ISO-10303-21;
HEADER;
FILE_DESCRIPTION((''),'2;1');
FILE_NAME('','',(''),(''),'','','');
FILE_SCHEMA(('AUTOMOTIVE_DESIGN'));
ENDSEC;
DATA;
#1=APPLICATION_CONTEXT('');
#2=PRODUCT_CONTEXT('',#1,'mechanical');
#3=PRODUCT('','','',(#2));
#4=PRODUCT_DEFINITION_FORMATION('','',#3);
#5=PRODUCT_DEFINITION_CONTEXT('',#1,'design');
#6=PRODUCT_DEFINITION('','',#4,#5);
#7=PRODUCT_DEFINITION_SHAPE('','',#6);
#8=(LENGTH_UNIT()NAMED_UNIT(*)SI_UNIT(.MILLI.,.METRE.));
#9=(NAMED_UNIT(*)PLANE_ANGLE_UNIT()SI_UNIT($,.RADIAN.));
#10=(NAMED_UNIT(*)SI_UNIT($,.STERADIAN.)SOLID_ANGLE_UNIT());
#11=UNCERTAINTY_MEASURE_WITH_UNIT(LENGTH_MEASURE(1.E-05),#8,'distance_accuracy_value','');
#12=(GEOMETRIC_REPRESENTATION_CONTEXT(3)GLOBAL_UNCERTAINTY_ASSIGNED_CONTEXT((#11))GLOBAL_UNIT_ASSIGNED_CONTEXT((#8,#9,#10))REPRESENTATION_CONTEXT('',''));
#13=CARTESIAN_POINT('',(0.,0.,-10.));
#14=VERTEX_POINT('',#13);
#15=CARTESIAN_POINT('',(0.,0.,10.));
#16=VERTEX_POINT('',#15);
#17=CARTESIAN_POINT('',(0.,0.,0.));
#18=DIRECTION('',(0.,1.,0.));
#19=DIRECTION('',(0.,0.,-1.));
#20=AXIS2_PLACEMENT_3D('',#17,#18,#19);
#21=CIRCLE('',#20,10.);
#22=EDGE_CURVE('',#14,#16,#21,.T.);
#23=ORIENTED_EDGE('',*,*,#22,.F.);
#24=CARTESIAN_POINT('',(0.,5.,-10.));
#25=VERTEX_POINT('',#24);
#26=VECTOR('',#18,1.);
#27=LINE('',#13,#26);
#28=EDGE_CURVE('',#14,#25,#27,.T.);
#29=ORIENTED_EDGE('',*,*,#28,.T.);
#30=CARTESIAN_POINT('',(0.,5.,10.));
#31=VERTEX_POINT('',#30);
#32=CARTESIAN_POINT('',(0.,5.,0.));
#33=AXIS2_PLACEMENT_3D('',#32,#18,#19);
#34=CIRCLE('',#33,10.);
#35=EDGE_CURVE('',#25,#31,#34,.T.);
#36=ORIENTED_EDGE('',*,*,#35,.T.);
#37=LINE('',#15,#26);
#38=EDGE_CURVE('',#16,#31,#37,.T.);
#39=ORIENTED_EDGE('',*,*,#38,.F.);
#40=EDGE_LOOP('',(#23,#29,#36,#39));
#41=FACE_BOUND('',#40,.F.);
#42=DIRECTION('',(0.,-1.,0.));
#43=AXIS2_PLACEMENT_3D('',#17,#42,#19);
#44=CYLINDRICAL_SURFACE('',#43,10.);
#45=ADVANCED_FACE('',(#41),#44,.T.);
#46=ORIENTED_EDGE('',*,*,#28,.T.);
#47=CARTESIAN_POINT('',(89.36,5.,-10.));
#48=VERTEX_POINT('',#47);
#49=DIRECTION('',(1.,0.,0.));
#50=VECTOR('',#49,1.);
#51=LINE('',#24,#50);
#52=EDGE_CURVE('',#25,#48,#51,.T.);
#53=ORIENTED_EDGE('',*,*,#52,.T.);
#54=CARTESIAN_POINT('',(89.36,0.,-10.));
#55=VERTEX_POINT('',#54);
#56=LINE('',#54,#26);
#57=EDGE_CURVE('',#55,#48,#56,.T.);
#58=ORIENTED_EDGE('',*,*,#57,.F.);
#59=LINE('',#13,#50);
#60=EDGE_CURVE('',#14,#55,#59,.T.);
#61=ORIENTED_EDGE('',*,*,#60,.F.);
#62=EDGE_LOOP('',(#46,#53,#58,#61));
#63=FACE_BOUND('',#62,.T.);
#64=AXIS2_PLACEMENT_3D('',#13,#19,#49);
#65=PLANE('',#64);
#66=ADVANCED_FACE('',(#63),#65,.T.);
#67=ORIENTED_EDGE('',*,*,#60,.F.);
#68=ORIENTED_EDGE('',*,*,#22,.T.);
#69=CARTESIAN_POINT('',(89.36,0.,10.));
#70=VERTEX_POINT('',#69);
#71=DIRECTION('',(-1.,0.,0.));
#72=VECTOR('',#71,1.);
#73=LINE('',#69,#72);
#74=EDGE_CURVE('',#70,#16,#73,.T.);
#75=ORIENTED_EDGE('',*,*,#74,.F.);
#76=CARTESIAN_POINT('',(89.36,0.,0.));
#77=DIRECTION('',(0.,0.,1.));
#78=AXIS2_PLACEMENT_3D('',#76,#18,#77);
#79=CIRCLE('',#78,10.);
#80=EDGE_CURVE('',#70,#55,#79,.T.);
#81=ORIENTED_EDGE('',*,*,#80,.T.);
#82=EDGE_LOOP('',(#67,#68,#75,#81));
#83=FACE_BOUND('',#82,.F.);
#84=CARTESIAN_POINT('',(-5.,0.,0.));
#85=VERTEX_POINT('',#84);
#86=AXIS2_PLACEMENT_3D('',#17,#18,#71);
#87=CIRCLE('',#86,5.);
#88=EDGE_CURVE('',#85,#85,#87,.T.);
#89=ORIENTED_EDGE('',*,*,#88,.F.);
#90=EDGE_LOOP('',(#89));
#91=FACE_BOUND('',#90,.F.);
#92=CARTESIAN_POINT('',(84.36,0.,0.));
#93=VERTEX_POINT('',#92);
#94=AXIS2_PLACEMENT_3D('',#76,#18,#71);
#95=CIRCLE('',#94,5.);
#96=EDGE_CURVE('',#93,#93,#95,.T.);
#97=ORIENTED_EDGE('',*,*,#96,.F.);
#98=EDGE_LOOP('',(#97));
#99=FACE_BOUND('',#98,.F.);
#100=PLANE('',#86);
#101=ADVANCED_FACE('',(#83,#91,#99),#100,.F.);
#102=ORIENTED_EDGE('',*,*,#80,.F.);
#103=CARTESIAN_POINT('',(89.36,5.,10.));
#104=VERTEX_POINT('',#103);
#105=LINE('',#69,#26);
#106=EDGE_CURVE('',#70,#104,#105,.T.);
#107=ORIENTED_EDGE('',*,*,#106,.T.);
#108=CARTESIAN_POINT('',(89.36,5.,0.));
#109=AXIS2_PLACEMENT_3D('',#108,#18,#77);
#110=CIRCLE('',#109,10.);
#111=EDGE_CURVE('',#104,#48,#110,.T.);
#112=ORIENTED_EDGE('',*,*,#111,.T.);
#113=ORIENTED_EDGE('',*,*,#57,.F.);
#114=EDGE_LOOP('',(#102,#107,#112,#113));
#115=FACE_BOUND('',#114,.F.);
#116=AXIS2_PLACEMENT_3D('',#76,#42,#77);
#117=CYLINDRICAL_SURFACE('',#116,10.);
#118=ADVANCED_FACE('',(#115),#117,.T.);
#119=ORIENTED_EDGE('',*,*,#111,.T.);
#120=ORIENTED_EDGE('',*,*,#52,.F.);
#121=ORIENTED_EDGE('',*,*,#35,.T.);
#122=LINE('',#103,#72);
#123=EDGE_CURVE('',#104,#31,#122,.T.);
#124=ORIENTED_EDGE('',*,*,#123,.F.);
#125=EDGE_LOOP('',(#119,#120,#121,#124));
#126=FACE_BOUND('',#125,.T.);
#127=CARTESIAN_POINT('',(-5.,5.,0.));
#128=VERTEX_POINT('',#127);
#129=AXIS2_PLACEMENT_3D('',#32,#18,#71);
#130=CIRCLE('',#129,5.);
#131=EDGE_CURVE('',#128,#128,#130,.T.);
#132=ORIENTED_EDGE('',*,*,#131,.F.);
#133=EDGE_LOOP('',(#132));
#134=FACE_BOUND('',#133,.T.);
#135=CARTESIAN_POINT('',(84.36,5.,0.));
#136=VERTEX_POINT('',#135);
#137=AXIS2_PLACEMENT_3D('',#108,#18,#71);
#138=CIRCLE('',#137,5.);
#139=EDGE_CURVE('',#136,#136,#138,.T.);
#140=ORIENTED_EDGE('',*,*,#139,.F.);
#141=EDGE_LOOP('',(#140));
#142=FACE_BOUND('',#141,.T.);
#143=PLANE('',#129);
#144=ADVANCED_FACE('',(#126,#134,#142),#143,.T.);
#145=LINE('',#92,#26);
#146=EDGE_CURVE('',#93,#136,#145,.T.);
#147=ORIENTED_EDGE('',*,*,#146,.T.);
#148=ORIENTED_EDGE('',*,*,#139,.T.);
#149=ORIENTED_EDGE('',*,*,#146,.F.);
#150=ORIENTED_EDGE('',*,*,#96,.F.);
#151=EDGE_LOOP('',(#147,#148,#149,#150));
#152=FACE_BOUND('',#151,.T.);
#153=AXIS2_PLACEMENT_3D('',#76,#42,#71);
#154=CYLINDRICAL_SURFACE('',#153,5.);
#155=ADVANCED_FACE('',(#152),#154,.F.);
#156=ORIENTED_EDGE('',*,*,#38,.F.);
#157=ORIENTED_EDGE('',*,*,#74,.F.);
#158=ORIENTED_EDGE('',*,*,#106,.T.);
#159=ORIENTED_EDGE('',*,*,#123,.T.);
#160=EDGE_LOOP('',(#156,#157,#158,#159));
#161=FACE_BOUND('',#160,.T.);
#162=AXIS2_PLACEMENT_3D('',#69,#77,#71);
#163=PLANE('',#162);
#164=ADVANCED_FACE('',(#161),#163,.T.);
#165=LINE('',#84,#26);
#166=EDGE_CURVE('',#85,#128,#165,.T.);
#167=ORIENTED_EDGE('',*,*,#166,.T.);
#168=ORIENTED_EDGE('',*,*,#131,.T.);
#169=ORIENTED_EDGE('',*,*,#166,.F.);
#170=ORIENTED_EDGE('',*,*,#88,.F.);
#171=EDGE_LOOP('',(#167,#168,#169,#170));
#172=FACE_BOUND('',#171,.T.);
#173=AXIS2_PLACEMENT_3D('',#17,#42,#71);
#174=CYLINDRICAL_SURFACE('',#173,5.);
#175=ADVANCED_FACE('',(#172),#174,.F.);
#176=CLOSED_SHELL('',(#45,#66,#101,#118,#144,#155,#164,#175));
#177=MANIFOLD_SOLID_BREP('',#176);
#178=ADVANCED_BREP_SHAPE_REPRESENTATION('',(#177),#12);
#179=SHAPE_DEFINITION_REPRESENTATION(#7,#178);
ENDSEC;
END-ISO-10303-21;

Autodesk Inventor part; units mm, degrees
ref_plane "YZ Plane" through (0, 0, 0) normal (1, 0, 0) x (0, 1, 0)
ref_plane "XZ Plane" through (0, 0, 0) normal (0, 1, 0) x (-1, 0, 0)
ref_plane "XY Plane" through (0, 0, 0) normal (0, 0, 1) x (1, 0, 0)
sketch "草圖3" plane through (0, 0, 0) normal (0, 1, 0) x (-1, 0, 0)
  line L0 (-99.36, 0) -> (10, 0) construction
  line L1 (-89.36, 10) -> (0, 10)
  line L2 (0, -10) -> (-89.36, -10)
  arc A0 (-89.36, 10) -> (-89.36, -10) centre (-89.36, 0) ccw
  arc A1 (0, -10) -> (0, 10) centre (0, 0) ccw
  circle A2 centre (-89.36, 0) radius 5
  circle A3 centre (0, 0) radius 5
  point P0 (-44.68, 0)
  dimension "hole" = 10
  dimension "d14" = 20
  dimension "center_distance" = 89.36
extrude "擠出3" add sketch "草圖3" along normal blind 5
equation "\"d14\" = 2 * hole"
properties part number "test6"
